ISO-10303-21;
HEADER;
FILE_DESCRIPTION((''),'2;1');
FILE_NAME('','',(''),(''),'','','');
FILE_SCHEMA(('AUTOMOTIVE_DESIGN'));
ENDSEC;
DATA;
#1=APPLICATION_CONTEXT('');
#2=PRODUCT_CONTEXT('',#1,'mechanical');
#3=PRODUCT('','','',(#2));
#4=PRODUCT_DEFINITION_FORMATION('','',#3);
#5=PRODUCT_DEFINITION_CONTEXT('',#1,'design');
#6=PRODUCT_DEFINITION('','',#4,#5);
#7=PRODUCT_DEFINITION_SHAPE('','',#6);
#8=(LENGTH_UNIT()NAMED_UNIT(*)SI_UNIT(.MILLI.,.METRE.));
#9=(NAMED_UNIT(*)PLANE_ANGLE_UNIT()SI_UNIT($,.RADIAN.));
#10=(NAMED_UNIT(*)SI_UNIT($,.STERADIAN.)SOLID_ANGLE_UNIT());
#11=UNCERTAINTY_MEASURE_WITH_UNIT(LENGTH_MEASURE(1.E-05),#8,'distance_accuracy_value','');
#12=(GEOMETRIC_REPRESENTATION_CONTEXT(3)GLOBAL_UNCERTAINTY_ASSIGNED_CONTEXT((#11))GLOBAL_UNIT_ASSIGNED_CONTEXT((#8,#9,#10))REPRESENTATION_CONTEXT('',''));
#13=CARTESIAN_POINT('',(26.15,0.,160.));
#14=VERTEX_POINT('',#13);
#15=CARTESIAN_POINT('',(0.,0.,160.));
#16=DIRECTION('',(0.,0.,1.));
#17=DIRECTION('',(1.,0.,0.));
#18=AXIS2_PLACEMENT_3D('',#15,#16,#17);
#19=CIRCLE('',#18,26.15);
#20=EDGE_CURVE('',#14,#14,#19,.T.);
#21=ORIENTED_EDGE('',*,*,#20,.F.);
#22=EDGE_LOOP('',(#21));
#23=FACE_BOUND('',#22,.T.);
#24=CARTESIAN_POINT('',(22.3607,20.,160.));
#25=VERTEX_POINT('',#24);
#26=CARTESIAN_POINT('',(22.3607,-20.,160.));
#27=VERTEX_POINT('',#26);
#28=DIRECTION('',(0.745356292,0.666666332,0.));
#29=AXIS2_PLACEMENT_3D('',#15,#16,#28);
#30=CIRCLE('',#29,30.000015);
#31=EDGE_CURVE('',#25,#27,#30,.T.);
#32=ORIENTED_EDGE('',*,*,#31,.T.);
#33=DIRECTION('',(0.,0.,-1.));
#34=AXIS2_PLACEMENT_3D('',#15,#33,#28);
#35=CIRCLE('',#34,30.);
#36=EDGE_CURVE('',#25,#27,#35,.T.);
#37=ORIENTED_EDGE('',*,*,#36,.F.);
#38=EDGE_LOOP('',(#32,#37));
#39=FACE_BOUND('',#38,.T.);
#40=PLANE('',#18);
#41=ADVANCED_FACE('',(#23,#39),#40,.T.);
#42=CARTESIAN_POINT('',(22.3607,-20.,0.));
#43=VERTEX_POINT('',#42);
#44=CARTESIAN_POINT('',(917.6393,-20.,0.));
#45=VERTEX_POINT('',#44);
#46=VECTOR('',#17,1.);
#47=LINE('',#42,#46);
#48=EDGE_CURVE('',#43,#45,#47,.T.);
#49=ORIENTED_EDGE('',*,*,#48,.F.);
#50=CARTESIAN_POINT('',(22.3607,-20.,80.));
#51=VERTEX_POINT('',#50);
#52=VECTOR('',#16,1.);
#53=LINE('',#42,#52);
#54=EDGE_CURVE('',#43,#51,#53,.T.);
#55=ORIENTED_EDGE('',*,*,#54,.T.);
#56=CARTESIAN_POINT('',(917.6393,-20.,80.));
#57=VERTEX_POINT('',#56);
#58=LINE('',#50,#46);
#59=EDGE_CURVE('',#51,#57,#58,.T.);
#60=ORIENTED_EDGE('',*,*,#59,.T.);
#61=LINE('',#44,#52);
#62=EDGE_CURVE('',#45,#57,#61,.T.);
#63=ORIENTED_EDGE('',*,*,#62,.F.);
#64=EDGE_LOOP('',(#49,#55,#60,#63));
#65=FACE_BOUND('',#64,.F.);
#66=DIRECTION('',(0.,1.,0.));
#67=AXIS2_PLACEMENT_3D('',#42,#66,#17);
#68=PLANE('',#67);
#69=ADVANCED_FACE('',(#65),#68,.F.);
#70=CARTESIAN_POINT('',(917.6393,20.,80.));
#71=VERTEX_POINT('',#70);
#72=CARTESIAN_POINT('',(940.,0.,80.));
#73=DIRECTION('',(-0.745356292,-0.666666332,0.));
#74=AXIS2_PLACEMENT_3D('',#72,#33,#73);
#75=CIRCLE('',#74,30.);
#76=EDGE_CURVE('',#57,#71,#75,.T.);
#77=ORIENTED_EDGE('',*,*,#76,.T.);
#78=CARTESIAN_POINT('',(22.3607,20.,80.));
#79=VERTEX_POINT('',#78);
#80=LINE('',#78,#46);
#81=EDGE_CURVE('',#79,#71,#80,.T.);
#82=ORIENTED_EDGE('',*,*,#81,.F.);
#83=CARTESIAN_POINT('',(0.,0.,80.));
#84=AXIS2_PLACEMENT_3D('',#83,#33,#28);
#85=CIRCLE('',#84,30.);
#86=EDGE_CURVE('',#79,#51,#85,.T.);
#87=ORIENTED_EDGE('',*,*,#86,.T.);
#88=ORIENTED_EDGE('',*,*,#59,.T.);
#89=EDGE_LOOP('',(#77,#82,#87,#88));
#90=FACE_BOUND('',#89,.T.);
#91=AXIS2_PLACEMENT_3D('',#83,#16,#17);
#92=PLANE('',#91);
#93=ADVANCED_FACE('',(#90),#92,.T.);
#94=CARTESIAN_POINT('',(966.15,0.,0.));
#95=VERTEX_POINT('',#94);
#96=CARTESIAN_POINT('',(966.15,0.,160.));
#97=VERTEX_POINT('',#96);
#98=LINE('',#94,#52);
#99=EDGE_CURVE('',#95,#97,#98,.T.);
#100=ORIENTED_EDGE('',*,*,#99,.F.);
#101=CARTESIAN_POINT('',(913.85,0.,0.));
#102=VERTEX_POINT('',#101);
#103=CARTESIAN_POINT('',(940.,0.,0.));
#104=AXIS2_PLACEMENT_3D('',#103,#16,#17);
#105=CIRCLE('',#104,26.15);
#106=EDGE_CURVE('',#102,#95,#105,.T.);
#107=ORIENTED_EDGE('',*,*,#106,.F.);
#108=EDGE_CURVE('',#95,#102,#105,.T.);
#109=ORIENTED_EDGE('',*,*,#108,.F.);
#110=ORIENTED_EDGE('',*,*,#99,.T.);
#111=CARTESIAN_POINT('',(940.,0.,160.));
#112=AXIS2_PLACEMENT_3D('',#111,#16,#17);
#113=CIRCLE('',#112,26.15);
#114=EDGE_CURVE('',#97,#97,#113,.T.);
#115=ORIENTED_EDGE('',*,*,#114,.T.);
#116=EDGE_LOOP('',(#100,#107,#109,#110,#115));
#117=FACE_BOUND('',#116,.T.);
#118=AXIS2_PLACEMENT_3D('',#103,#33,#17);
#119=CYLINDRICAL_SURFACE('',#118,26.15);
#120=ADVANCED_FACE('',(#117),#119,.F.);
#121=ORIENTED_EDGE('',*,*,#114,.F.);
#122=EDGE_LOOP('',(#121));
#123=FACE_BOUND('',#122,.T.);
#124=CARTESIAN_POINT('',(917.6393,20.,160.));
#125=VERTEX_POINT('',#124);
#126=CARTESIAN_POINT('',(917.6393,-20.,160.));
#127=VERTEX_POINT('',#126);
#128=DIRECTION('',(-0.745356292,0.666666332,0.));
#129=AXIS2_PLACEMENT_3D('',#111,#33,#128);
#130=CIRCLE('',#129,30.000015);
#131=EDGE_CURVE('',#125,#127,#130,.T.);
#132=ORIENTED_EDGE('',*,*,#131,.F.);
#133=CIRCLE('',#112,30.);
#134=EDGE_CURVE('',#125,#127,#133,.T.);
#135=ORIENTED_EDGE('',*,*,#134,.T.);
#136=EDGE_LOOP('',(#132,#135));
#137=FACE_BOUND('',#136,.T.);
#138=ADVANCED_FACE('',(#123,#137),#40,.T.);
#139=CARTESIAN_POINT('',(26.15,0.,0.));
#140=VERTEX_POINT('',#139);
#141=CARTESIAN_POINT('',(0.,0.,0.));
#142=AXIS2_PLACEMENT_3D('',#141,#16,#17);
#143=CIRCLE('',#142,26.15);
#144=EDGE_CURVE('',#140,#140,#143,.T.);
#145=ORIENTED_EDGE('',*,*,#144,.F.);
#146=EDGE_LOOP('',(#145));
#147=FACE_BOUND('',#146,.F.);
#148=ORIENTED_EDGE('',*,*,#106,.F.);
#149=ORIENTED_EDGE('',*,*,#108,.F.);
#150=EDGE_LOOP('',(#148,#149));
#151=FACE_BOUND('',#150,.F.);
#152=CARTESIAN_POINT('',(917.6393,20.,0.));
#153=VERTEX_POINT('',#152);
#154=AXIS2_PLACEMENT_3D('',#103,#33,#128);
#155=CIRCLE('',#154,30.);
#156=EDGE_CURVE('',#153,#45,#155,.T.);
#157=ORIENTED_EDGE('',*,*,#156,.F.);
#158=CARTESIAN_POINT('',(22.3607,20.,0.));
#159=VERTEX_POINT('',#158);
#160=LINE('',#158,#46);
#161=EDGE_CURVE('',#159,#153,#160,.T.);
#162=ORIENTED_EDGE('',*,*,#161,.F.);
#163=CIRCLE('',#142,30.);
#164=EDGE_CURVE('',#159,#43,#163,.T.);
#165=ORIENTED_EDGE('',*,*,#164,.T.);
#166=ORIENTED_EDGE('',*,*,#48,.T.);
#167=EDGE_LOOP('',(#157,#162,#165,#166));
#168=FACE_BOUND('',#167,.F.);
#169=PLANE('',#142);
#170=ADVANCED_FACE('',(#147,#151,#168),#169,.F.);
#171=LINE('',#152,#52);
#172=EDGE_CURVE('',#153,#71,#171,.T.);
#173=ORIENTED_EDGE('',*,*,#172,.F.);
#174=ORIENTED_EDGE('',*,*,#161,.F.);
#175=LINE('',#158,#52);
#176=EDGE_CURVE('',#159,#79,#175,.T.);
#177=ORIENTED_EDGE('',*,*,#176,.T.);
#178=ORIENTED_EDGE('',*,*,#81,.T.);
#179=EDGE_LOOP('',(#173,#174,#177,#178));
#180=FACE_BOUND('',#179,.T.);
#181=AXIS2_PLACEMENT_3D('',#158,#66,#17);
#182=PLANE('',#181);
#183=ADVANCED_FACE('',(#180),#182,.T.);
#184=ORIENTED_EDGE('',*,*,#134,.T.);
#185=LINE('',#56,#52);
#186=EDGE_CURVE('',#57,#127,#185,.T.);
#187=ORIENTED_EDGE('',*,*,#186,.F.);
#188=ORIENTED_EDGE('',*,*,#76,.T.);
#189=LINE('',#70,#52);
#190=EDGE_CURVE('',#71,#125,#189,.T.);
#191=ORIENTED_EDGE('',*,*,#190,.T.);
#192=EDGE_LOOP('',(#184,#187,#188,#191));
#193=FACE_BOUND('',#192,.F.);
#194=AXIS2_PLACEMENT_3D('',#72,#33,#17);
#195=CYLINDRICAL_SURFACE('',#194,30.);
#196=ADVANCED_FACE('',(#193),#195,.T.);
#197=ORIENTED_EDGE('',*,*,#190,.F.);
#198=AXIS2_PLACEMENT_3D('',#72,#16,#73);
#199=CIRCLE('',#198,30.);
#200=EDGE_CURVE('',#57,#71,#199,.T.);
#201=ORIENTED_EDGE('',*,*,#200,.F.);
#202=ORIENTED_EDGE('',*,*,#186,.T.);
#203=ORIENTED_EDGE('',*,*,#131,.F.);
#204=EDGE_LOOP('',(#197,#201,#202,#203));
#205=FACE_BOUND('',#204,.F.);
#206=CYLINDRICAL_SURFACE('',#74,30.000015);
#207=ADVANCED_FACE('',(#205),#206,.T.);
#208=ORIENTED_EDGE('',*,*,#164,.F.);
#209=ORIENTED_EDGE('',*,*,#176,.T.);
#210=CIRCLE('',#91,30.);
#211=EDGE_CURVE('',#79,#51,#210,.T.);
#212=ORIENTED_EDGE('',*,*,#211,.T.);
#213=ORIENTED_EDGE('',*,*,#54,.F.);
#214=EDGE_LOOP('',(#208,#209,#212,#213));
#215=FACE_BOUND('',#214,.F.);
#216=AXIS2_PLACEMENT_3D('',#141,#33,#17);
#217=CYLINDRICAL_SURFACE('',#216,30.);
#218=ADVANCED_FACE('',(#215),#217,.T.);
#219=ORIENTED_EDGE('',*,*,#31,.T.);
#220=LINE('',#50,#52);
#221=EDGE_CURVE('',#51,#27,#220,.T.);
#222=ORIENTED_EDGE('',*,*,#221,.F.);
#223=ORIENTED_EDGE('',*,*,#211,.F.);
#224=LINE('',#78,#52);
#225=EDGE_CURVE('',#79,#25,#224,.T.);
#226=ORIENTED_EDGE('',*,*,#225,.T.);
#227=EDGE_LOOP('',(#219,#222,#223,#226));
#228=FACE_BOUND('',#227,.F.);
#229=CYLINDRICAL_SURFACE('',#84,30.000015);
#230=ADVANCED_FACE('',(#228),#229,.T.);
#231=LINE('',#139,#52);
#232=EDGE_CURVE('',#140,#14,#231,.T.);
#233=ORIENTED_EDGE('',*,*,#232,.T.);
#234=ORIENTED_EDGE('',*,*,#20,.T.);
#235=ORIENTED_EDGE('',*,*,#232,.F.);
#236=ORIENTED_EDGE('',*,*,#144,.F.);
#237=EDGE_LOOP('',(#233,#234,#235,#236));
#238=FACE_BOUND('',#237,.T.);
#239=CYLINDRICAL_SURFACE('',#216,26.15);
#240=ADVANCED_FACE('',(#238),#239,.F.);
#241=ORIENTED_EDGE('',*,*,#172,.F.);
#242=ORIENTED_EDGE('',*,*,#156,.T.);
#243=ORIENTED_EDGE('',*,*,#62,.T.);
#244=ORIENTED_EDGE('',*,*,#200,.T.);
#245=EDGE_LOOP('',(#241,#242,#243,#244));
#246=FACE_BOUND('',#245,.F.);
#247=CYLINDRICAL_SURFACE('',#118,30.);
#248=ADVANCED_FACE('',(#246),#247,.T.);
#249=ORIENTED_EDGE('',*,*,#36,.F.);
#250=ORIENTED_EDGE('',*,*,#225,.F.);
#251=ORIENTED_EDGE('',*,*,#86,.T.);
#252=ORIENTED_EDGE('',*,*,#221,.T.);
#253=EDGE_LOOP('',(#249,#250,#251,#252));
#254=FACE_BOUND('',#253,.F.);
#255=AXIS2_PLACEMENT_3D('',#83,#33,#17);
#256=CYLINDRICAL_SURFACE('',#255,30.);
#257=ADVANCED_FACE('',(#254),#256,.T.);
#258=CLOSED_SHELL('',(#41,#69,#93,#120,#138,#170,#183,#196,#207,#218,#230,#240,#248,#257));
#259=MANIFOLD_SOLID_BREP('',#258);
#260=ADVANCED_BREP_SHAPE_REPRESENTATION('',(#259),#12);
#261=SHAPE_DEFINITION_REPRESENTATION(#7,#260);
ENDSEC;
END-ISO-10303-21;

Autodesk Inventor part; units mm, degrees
ref_plane "YZ Plane" through (0, 0, 0) normal (1, 0, 0) x (0, 1, 0)
ref_plane "XZ Plane" through (0, 0, 0) normal (0, 1, 0) x (-1, 0, 0)
ref_plane "XY Plane" through (0, 0, 0) normal (0, 0, 1) x (1, 0, 0)
sketch "Boceto1" plane through (0, 0, 0) normal (0, 0, 1) x (1, 0, 0)
  circle A0 centre (0, 0) radius 30
  circle A1 centre (0, 0) radius 26.15
  circle A2 centre (940, 0) radius 30
  circle A3 centre (940, 0) radius 26.15
  line L0 (22.3607, -20) -> (917.6393, -20)
  line L1 (26.15, 0) -> (30, 0)
  line L2 (910, 0) -> (940, 0)
  line L3 (22.3607, 20) -> (917.6393, 20)
  dimension "d1" = 52.3
  dimension "d0" = 60
  dimension "d2" = 940
  dimension "d3" = 60
  dimension "d4" = 52.3
extrude "Extrusión1" add sketch "Boceto1" along normal blind 80
sketch "Boceto2" plane through (0, 0, 80) normal (0, 0, 1) x (1, 0, 0)
  arc A0 (22.3607, 20) -> (22.3607, -20) centre (0, 0) ccw projected
  line L0 (22.3607, -20) -> (917.6393, -20) projected
  arc A1 (917.6393, -20) -> (917.6393, 20) centre (940, 0) ccw projected
  line L1 (917.6393, 20) -> (22.3607, 20) projected
  circle A2 centre (0, 0) radius 26.15 projected
  circle A3 centre (940, 0) radius 26.15 projected
  line L2 (917.6393, 20) -> (22.3607, 20) projected
  circle A4 centre (0, 0) radius 30
  circle A5 centre (940, 0) radius 30
  point P0 (22.3607, -20)
extrude "Extrusión2" add sketch "Boceto2" along normal blind 80 contours A4 A0 | A1 A5
properties part number "bocina1"
